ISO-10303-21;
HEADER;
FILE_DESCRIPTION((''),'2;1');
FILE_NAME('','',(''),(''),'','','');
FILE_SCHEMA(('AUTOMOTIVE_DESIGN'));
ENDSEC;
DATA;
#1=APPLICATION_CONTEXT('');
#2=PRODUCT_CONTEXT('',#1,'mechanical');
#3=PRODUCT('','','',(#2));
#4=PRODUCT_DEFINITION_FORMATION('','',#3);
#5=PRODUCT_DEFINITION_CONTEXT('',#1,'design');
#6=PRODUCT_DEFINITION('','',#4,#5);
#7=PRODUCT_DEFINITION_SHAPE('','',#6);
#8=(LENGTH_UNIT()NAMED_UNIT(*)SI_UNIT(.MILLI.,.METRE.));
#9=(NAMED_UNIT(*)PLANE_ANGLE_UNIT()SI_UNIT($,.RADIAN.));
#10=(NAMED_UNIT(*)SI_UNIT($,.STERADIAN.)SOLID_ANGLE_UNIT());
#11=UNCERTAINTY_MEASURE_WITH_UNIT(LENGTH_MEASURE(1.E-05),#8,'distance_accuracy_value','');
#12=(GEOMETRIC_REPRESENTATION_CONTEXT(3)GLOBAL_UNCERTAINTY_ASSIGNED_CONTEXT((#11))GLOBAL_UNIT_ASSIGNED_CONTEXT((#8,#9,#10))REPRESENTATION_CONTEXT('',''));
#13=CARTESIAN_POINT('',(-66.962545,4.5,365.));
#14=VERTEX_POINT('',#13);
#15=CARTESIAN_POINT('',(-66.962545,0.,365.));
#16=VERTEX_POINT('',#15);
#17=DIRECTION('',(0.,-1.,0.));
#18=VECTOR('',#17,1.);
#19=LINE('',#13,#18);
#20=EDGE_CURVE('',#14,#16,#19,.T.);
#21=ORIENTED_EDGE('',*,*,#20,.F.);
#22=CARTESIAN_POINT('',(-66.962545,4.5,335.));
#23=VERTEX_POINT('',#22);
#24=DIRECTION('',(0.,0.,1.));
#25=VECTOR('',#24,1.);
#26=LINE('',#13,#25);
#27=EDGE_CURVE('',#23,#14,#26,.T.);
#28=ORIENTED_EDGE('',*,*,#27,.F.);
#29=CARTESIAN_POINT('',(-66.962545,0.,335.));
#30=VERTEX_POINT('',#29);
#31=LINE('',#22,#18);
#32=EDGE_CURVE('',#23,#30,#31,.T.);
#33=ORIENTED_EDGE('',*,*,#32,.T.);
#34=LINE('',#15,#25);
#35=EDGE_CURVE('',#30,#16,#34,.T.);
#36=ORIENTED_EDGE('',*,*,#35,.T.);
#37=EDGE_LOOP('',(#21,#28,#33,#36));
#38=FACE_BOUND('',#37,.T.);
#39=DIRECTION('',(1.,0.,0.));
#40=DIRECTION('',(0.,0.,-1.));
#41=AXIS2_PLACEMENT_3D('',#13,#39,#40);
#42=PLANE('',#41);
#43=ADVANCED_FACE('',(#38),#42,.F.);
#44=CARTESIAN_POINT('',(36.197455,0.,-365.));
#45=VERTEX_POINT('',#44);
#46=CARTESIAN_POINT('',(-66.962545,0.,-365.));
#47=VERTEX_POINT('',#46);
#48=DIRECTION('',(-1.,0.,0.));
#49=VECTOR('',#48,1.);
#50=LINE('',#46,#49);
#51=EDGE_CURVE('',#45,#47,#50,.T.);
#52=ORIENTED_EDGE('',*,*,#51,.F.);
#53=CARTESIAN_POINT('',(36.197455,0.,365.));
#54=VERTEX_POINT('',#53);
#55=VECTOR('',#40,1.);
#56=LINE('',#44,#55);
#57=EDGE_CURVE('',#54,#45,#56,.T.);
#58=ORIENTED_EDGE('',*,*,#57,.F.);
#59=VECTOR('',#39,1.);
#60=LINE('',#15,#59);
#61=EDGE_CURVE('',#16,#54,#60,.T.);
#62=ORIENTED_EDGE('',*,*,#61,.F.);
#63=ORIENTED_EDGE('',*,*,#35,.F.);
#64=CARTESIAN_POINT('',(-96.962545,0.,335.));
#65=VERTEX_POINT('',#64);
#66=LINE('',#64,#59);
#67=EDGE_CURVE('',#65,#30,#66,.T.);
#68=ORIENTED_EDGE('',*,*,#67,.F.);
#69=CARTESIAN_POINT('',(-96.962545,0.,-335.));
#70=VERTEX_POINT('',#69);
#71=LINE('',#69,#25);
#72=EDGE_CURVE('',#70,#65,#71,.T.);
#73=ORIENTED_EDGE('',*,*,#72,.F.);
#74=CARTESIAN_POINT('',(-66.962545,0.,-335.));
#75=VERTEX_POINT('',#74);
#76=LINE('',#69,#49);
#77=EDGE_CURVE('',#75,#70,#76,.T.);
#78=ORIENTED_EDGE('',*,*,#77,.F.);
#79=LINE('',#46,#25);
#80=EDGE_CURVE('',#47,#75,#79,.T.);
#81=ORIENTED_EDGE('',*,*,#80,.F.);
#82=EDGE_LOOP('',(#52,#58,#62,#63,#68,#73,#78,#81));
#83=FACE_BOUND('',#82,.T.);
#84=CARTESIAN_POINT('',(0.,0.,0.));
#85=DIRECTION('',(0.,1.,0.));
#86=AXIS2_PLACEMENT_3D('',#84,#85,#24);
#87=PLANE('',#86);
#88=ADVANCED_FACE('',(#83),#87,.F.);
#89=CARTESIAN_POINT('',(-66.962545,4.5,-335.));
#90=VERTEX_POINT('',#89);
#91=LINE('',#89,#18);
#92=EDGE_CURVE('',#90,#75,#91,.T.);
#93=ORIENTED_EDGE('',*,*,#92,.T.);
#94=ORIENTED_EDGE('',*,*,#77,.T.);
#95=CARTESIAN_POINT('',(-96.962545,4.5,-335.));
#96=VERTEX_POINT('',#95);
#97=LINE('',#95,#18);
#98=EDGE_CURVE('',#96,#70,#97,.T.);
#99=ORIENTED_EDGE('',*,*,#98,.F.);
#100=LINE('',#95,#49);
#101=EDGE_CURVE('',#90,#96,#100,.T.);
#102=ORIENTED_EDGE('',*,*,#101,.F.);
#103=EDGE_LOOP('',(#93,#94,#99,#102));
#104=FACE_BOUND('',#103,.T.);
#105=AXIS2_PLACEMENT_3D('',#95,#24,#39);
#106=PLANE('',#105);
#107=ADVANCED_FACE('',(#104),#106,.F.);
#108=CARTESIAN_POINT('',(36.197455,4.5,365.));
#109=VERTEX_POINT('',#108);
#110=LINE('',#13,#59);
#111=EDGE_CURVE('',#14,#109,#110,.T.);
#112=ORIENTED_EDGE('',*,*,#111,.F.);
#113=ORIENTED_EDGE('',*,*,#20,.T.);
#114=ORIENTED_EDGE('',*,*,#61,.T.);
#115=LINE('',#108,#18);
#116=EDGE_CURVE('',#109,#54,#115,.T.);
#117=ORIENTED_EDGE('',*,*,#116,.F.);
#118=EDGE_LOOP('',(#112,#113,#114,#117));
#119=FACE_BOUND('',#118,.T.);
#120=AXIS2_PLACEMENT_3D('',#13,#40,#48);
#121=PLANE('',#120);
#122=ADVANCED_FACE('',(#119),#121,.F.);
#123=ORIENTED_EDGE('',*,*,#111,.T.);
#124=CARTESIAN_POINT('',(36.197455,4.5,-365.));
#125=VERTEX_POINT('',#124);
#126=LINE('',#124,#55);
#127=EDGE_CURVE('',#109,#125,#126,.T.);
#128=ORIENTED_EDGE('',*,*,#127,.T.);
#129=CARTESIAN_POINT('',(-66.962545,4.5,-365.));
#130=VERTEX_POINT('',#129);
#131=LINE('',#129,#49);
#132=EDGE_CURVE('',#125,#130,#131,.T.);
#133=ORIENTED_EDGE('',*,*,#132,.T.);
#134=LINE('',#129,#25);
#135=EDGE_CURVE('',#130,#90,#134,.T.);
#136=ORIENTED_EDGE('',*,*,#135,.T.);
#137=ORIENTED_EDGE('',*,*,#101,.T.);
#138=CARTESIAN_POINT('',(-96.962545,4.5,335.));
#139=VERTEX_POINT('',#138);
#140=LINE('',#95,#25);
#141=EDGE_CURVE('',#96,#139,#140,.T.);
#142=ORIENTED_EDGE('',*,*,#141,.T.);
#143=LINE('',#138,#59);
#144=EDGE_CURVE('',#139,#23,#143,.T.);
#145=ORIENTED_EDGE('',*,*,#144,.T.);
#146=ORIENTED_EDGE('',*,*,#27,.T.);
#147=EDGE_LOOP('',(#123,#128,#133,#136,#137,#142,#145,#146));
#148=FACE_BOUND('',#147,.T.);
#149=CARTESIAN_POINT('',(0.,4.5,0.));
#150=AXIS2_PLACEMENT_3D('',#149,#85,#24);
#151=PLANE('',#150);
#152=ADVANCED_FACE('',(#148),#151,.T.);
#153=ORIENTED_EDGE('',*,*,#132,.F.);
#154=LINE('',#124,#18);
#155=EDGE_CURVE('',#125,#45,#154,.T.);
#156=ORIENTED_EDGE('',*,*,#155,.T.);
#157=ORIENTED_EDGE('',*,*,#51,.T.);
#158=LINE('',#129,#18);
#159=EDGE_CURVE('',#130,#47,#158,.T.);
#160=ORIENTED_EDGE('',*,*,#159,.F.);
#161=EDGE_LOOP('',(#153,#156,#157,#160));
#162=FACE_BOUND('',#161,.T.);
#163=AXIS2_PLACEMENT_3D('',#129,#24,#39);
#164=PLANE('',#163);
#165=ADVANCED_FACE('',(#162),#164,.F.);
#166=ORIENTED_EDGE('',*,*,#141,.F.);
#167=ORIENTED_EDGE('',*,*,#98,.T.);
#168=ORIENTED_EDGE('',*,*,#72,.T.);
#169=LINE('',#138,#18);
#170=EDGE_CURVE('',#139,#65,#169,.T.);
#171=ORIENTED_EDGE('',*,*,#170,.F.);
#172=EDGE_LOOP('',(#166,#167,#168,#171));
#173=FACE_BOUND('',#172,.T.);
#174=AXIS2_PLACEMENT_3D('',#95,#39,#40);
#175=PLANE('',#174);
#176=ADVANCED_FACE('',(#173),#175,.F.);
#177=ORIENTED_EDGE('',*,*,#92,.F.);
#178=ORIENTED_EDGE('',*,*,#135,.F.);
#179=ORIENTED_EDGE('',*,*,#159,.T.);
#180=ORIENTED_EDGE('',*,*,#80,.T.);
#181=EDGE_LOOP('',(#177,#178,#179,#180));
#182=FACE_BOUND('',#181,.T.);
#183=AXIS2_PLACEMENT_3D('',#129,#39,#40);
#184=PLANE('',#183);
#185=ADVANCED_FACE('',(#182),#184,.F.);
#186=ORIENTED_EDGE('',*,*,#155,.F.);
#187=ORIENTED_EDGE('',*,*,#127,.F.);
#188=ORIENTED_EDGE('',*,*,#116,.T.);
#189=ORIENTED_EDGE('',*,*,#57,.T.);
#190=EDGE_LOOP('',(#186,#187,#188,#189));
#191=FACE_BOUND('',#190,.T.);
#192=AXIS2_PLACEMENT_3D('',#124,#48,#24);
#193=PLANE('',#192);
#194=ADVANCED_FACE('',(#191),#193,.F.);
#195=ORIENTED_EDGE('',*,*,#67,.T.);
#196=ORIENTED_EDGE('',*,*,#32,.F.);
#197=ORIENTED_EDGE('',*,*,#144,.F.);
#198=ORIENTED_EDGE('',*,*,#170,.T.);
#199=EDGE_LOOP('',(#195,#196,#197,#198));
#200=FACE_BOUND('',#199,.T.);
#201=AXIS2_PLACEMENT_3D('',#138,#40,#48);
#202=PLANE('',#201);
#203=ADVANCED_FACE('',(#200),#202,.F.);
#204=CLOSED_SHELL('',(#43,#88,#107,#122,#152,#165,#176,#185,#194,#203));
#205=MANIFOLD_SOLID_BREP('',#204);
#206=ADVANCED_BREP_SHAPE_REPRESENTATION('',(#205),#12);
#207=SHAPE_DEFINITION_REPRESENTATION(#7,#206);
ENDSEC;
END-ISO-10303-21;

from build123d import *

# Parameters (mm, degrees)
BOSS_EXTRUDE1_DEPTH = 4.5


with BuildPart() as part:
    # Sketch1 → Boss-Extrude1 (new body)
    with BuildSketch(Plane(origin=(0, 0, 0), x_dir=(1, 0, 0), z_dir=(0, 1, 0))):
        Polygon((-66.962544804, 365), (36.197455196, 365), (36.197455196, -365), (-66.962544804, -365), (-66.962544804, -335), (-96.962544804, -335), (-96.962544804, 335), (-66.962544804, 335), align=None)
    extrude(amount=BOSS_EXTRUDE1_DEPTH)


solid = part.part
